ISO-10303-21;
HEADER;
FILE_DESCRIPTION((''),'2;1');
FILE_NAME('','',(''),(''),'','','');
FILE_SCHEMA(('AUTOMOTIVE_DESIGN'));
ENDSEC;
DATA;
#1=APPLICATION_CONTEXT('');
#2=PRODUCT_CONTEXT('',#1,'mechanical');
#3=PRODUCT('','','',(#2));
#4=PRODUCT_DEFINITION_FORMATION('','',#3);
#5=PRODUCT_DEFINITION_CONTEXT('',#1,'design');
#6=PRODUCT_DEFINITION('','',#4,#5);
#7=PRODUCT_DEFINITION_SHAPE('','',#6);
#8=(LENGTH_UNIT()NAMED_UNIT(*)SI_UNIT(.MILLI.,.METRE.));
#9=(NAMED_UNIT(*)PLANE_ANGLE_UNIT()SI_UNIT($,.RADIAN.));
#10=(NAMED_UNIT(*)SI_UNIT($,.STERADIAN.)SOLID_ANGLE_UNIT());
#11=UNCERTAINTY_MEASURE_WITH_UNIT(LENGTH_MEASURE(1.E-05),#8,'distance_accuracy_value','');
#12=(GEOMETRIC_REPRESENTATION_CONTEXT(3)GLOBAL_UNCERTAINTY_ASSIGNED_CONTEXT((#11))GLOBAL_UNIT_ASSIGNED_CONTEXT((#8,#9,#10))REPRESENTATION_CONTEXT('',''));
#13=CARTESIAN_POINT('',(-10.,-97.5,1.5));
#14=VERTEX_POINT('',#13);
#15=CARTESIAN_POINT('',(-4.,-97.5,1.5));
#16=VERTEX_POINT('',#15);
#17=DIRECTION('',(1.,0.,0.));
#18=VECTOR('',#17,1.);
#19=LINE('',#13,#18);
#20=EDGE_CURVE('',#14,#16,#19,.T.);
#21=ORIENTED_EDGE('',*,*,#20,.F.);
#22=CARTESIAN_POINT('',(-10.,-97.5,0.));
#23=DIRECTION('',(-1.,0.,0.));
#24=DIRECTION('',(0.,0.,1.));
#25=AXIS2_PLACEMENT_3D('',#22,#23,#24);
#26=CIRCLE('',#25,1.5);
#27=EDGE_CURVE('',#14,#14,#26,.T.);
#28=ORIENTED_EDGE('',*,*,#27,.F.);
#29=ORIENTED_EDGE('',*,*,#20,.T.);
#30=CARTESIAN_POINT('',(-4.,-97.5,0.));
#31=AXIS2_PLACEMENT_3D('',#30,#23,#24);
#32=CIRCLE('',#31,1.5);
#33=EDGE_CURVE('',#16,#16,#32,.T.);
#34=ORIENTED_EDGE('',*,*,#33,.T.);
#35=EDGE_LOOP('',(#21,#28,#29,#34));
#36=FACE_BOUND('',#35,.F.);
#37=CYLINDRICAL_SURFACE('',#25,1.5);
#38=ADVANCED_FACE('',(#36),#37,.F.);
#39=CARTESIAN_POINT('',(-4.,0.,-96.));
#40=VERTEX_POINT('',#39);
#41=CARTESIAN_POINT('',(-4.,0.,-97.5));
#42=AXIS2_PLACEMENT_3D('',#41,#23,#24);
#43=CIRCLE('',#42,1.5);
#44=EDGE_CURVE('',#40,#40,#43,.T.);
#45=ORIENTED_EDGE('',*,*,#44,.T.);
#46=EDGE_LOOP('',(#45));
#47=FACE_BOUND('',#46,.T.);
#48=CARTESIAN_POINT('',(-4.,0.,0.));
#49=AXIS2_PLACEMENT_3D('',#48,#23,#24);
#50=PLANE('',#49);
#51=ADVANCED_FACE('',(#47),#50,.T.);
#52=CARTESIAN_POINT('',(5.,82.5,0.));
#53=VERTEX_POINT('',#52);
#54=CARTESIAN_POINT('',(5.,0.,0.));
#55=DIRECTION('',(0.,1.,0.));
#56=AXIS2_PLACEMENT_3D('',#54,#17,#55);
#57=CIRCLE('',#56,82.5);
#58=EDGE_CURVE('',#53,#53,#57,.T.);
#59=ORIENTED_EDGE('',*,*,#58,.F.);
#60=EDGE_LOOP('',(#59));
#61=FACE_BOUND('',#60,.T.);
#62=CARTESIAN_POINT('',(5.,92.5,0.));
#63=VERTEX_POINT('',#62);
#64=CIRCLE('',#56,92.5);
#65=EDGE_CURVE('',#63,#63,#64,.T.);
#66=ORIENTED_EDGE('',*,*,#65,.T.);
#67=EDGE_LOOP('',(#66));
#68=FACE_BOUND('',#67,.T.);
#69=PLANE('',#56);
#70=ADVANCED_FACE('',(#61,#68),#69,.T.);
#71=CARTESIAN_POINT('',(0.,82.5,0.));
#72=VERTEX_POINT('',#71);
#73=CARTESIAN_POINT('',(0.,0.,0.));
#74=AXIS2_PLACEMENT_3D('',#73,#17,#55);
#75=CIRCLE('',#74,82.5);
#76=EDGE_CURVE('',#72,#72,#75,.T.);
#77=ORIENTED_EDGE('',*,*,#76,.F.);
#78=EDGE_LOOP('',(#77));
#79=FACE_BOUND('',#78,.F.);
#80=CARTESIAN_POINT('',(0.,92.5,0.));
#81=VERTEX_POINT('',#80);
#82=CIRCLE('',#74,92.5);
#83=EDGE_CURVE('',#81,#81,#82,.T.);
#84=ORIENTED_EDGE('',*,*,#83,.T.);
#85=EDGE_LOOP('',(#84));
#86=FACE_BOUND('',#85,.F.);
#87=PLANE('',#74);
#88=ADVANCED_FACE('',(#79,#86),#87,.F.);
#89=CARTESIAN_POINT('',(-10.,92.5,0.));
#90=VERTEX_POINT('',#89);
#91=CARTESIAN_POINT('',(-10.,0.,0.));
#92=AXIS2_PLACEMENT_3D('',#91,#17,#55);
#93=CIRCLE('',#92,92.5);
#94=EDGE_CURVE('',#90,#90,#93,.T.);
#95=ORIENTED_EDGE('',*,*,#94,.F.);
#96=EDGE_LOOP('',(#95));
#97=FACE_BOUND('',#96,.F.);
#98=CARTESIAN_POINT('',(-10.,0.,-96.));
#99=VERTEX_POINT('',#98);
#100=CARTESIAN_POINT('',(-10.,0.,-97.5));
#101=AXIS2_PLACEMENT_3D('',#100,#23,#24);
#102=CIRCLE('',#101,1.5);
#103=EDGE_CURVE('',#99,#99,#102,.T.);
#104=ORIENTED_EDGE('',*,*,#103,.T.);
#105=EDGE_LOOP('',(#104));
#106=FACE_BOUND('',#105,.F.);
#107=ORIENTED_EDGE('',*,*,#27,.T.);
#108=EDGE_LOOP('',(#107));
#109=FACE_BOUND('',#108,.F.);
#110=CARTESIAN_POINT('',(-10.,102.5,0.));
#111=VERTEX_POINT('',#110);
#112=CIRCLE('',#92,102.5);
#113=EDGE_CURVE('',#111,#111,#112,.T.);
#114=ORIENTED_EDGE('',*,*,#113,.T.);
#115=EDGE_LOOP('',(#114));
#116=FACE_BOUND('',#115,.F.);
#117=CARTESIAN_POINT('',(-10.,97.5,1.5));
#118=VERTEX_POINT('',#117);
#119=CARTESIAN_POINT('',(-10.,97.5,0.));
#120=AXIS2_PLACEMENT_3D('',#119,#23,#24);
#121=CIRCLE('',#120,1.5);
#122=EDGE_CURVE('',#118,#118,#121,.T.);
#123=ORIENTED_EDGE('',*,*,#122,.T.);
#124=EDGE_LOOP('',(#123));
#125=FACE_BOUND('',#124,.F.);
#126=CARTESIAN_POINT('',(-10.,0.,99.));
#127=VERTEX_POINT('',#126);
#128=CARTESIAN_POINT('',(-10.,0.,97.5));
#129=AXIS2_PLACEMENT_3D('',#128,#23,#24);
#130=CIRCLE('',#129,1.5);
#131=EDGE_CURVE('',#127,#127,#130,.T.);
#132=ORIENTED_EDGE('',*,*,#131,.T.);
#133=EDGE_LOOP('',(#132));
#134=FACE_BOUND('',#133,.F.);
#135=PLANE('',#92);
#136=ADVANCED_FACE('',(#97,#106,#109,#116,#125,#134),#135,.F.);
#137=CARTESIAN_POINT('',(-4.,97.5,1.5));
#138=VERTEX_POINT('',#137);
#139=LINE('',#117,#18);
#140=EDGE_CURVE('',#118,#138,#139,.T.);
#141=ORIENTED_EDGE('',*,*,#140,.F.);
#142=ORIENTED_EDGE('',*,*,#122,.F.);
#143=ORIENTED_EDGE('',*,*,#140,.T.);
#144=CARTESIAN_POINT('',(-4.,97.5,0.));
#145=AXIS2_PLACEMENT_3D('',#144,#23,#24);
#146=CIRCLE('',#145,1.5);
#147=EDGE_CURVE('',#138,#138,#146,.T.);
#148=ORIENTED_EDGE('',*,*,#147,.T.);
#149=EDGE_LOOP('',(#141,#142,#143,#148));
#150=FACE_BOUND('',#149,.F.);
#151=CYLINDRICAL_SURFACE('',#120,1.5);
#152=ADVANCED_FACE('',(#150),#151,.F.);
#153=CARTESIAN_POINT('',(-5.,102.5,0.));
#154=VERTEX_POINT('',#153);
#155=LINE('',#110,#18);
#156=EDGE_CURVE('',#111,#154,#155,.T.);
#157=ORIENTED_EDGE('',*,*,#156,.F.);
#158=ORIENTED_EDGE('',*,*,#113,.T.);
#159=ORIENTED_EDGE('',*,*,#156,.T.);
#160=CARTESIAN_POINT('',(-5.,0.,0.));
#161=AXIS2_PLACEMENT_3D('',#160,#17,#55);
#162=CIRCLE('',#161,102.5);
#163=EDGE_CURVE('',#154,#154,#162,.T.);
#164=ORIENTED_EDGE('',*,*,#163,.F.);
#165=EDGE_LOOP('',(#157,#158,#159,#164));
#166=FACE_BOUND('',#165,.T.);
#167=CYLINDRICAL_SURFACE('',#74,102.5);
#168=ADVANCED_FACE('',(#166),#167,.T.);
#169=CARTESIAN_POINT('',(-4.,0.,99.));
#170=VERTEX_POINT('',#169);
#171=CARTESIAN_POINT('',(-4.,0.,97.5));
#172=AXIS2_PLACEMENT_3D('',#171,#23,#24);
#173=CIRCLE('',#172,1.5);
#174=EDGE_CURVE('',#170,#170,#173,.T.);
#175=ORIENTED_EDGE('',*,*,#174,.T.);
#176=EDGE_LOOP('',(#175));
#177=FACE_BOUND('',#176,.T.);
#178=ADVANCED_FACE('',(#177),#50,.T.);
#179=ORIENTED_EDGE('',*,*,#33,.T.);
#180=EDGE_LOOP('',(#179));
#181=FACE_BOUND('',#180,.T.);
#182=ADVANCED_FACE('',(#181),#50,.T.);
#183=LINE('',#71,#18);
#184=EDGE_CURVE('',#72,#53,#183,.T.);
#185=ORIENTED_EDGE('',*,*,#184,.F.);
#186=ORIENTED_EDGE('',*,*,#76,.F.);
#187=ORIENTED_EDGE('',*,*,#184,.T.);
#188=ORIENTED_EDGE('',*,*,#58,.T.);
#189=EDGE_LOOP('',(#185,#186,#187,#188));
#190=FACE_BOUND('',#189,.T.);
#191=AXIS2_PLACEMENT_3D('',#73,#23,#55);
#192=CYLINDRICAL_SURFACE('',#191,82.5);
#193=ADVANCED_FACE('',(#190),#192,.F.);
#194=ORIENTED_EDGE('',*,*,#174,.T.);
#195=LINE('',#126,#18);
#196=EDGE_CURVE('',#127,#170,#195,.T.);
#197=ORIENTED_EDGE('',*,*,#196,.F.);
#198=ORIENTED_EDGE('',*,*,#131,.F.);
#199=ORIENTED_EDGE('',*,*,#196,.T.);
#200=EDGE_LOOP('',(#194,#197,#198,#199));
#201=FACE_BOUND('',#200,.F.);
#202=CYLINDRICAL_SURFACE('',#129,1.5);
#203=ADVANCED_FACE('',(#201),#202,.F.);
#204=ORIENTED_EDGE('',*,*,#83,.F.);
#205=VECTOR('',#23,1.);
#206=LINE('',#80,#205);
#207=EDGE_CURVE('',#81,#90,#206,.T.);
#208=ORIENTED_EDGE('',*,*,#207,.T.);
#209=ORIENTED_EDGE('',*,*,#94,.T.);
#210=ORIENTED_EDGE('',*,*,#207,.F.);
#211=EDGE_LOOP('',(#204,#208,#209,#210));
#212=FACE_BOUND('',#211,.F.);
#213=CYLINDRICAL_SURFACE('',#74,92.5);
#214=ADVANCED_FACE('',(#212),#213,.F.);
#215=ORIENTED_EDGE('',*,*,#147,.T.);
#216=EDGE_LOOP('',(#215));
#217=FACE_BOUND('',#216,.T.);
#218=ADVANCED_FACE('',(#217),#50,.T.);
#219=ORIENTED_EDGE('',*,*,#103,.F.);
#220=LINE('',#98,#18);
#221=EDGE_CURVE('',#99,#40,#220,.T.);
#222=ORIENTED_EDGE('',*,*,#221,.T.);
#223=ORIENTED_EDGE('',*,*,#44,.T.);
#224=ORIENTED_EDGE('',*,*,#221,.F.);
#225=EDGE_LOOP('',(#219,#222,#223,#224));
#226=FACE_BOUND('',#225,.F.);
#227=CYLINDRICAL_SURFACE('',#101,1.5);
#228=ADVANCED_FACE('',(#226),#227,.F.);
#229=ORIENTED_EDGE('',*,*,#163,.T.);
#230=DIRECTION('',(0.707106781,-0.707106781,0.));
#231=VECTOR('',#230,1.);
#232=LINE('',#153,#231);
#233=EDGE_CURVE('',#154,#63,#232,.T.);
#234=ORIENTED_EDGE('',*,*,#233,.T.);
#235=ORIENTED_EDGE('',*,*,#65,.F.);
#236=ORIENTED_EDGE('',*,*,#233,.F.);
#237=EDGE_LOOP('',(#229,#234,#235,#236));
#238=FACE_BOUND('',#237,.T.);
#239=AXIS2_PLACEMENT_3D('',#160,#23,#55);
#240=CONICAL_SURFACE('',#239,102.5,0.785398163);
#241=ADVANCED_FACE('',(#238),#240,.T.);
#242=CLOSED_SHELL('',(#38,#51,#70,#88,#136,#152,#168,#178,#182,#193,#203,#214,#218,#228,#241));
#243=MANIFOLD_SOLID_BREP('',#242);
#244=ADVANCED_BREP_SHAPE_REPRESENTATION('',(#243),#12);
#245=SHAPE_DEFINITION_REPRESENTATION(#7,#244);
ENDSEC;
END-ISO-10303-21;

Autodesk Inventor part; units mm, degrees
ref_plane "YZ Plane" through (0, 0, 0) normal (1, 0, 0) x (0, 1, 0)
ref_plane "XZ Plane" through (0, 0, 0) normal (0, 1, 0) x (-1, 0, 0)
ref_plane "XY Plane" through (0, 0, 0) normal (0, 0, 1) x (1, 0, 0)
sketch "Sketch1" plane through (0, 0, 0) normal (1, 0, 0) x (0, 1, 0)
  circle A0 centre (0, 0) radius 82.5
  circle A1 centre (0, 0) radius 102.5
  circle A2 centre (0, 0) radius 92.5
  dimension "d0" = 165
  dimension "d1" = 20
  dimension "d2" = 10
extrude "Extrusion1" add sketch "Sketch1" along normal blind 5 contours A1 | A2
extrude "Extrusion2" add sketch "Sketch1" against normal blind 10 contours A1
chamfer "Chamfer1" distance 10 angle 45 1 edges at (5, -102.5, 0)
sketch "Sketch2" plane through (-10, 0, 0) normal (-1, 0, 0) x (0, 0, 1)
  circle A0 centre (0, 0) radius 102.5 projected
  circle A1 centre (0, 0) radius 92.5 projected
  circle A2 centre (0, 97.5) radius 1.5
  circle A3 centre (-97.5, 0) radius 1.5
  circle A4 centre (0, -97.5) radius 1.5
  circle A5 centre (97.5, 0) radius 1.5
  dimension "d10" = 3
  dimension "d11" = 97.5
  dimension "d14" = 360
extrude "Extrusion3" cut sketch "Sketch2" against normal blind 6 contours A2 | A3 | A4 | A5
properties part number "CIRCULO_fRONTAL" material "Steel, Mild, Welded"
